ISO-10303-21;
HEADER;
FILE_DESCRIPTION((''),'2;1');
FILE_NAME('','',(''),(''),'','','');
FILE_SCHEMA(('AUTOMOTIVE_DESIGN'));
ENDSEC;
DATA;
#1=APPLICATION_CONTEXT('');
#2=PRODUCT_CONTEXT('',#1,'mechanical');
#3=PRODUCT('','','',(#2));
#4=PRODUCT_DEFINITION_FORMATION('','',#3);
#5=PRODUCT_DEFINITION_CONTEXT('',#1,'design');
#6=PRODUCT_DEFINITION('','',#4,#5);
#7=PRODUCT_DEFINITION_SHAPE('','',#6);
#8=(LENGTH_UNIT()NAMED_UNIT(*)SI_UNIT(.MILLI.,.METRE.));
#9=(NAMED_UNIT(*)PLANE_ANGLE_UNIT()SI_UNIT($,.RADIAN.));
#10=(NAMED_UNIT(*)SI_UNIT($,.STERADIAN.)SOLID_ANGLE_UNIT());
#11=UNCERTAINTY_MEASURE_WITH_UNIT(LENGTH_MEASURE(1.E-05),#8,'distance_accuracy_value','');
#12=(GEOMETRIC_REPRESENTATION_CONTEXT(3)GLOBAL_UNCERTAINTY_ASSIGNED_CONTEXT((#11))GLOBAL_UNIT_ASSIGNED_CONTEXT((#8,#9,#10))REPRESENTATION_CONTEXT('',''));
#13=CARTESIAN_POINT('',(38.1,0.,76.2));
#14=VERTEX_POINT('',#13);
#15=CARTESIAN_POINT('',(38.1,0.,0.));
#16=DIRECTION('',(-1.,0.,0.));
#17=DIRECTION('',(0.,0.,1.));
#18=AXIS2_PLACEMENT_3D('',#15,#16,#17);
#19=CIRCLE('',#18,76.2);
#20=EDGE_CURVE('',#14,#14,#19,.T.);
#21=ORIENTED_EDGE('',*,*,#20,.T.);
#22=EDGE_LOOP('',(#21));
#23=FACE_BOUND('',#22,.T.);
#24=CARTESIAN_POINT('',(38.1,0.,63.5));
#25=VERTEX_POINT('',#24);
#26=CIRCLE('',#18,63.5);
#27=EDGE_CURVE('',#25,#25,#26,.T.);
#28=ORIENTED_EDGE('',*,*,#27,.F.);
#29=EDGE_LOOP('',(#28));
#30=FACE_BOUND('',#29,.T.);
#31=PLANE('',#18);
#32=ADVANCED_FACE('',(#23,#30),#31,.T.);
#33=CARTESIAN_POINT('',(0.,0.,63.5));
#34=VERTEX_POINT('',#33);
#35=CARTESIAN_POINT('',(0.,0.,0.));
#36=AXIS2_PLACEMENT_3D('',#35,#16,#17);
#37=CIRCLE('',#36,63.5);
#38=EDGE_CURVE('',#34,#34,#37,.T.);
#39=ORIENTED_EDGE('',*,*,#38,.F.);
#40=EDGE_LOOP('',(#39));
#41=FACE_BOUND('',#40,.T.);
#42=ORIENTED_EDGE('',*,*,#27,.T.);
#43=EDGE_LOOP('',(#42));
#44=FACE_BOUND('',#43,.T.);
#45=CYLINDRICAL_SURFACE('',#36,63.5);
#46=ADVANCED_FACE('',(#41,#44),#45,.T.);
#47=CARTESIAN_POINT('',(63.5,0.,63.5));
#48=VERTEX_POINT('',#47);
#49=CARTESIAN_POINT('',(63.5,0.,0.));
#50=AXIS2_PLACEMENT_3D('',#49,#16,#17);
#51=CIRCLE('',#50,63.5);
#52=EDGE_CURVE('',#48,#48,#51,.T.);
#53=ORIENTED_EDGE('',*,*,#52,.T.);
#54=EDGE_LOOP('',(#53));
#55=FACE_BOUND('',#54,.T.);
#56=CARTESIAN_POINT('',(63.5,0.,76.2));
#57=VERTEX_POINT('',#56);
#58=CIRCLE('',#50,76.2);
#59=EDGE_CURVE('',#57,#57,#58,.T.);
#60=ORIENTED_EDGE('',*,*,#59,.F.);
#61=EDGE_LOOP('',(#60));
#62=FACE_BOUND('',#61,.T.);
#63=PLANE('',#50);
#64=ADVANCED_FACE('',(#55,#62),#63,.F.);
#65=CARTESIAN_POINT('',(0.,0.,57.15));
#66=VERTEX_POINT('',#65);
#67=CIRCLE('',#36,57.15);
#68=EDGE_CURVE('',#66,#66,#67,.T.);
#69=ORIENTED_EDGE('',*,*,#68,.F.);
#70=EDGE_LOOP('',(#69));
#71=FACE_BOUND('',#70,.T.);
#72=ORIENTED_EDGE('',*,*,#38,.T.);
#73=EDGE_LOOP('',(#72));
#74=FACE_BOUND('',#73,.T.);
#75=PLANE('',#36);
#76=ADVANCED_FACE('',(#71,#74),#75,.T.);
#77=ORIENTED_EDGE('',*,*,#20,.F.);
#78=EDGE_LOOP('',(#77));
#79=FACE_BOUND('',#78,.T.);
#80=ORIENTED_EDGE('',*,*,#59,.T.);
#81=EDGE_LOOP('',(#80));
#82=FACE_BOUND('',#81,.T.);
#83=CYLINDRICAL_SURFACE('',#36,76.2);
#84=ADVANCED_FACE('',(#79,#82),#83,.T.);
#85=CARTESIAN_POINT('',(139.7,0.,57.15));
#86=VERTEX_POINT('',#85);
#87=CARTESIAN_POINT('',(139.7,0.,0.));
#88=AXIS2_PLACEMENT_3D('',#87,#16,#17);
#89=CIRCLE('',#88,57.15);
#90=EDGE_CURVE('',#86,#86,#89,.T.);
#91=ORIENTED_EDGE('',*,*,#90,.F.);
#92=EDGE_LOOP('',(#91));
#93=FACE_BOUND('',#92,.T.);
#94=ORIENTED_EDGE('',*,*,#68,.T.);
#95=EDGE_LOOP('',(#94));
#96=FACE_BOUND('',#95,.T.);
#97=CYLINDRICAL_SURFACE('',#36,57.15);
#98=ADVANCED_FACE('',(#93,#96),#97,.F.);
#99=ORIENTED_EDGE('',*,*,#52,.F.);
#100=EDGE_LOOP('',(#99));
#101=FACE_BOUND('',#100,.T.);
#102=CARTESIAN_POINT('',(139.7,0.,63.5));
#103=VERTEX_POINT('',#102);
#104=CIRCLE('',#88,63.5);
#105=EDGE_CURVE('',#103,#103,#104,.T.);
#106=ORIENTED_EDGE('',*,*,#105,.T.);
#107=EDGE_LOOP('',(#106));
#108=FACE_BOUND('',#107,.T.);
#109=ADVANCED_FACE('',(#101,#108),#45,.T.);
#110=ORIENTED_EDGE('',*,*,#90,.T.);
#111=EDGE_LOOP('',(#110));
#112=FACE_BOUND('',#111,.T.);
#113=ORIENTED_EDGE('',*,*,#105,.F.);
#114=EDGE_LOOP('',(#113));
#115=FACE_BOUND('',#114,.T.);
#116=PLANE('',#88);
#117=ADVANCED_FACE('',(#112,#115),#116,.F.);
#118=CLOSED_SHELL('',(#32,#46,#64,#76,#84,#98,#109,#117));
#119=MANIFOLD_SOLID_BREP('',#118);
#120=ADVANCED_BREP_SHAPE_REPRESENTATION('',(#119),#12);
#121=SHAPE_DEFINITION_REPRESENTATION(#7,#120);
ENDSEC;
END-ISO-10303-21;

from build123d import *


with BuildPart() as part:
    # Sketch2 → Revolve1 (revolve)
    with BuildSketch(Plane.XY, mode=Mode.PRIVATE) as revolve1_sk:
        Polygon((38.1, 57.15), (0, 57.15), (0, 63.5), (38.1, 63.5), (38.1, 76.2), (63.5, 76.2), (63.5, 63.5), (127, 63.5), (139.7, 63.5), (139.7, 57.15), align=None)
    revolve(revolve1_sk.sketch.rotate(Axis((0, 0, 0), (1, 0, 0)), 90), axis=Axis((0, 0, 0), (1, 0, 0)))


solid = part.part
